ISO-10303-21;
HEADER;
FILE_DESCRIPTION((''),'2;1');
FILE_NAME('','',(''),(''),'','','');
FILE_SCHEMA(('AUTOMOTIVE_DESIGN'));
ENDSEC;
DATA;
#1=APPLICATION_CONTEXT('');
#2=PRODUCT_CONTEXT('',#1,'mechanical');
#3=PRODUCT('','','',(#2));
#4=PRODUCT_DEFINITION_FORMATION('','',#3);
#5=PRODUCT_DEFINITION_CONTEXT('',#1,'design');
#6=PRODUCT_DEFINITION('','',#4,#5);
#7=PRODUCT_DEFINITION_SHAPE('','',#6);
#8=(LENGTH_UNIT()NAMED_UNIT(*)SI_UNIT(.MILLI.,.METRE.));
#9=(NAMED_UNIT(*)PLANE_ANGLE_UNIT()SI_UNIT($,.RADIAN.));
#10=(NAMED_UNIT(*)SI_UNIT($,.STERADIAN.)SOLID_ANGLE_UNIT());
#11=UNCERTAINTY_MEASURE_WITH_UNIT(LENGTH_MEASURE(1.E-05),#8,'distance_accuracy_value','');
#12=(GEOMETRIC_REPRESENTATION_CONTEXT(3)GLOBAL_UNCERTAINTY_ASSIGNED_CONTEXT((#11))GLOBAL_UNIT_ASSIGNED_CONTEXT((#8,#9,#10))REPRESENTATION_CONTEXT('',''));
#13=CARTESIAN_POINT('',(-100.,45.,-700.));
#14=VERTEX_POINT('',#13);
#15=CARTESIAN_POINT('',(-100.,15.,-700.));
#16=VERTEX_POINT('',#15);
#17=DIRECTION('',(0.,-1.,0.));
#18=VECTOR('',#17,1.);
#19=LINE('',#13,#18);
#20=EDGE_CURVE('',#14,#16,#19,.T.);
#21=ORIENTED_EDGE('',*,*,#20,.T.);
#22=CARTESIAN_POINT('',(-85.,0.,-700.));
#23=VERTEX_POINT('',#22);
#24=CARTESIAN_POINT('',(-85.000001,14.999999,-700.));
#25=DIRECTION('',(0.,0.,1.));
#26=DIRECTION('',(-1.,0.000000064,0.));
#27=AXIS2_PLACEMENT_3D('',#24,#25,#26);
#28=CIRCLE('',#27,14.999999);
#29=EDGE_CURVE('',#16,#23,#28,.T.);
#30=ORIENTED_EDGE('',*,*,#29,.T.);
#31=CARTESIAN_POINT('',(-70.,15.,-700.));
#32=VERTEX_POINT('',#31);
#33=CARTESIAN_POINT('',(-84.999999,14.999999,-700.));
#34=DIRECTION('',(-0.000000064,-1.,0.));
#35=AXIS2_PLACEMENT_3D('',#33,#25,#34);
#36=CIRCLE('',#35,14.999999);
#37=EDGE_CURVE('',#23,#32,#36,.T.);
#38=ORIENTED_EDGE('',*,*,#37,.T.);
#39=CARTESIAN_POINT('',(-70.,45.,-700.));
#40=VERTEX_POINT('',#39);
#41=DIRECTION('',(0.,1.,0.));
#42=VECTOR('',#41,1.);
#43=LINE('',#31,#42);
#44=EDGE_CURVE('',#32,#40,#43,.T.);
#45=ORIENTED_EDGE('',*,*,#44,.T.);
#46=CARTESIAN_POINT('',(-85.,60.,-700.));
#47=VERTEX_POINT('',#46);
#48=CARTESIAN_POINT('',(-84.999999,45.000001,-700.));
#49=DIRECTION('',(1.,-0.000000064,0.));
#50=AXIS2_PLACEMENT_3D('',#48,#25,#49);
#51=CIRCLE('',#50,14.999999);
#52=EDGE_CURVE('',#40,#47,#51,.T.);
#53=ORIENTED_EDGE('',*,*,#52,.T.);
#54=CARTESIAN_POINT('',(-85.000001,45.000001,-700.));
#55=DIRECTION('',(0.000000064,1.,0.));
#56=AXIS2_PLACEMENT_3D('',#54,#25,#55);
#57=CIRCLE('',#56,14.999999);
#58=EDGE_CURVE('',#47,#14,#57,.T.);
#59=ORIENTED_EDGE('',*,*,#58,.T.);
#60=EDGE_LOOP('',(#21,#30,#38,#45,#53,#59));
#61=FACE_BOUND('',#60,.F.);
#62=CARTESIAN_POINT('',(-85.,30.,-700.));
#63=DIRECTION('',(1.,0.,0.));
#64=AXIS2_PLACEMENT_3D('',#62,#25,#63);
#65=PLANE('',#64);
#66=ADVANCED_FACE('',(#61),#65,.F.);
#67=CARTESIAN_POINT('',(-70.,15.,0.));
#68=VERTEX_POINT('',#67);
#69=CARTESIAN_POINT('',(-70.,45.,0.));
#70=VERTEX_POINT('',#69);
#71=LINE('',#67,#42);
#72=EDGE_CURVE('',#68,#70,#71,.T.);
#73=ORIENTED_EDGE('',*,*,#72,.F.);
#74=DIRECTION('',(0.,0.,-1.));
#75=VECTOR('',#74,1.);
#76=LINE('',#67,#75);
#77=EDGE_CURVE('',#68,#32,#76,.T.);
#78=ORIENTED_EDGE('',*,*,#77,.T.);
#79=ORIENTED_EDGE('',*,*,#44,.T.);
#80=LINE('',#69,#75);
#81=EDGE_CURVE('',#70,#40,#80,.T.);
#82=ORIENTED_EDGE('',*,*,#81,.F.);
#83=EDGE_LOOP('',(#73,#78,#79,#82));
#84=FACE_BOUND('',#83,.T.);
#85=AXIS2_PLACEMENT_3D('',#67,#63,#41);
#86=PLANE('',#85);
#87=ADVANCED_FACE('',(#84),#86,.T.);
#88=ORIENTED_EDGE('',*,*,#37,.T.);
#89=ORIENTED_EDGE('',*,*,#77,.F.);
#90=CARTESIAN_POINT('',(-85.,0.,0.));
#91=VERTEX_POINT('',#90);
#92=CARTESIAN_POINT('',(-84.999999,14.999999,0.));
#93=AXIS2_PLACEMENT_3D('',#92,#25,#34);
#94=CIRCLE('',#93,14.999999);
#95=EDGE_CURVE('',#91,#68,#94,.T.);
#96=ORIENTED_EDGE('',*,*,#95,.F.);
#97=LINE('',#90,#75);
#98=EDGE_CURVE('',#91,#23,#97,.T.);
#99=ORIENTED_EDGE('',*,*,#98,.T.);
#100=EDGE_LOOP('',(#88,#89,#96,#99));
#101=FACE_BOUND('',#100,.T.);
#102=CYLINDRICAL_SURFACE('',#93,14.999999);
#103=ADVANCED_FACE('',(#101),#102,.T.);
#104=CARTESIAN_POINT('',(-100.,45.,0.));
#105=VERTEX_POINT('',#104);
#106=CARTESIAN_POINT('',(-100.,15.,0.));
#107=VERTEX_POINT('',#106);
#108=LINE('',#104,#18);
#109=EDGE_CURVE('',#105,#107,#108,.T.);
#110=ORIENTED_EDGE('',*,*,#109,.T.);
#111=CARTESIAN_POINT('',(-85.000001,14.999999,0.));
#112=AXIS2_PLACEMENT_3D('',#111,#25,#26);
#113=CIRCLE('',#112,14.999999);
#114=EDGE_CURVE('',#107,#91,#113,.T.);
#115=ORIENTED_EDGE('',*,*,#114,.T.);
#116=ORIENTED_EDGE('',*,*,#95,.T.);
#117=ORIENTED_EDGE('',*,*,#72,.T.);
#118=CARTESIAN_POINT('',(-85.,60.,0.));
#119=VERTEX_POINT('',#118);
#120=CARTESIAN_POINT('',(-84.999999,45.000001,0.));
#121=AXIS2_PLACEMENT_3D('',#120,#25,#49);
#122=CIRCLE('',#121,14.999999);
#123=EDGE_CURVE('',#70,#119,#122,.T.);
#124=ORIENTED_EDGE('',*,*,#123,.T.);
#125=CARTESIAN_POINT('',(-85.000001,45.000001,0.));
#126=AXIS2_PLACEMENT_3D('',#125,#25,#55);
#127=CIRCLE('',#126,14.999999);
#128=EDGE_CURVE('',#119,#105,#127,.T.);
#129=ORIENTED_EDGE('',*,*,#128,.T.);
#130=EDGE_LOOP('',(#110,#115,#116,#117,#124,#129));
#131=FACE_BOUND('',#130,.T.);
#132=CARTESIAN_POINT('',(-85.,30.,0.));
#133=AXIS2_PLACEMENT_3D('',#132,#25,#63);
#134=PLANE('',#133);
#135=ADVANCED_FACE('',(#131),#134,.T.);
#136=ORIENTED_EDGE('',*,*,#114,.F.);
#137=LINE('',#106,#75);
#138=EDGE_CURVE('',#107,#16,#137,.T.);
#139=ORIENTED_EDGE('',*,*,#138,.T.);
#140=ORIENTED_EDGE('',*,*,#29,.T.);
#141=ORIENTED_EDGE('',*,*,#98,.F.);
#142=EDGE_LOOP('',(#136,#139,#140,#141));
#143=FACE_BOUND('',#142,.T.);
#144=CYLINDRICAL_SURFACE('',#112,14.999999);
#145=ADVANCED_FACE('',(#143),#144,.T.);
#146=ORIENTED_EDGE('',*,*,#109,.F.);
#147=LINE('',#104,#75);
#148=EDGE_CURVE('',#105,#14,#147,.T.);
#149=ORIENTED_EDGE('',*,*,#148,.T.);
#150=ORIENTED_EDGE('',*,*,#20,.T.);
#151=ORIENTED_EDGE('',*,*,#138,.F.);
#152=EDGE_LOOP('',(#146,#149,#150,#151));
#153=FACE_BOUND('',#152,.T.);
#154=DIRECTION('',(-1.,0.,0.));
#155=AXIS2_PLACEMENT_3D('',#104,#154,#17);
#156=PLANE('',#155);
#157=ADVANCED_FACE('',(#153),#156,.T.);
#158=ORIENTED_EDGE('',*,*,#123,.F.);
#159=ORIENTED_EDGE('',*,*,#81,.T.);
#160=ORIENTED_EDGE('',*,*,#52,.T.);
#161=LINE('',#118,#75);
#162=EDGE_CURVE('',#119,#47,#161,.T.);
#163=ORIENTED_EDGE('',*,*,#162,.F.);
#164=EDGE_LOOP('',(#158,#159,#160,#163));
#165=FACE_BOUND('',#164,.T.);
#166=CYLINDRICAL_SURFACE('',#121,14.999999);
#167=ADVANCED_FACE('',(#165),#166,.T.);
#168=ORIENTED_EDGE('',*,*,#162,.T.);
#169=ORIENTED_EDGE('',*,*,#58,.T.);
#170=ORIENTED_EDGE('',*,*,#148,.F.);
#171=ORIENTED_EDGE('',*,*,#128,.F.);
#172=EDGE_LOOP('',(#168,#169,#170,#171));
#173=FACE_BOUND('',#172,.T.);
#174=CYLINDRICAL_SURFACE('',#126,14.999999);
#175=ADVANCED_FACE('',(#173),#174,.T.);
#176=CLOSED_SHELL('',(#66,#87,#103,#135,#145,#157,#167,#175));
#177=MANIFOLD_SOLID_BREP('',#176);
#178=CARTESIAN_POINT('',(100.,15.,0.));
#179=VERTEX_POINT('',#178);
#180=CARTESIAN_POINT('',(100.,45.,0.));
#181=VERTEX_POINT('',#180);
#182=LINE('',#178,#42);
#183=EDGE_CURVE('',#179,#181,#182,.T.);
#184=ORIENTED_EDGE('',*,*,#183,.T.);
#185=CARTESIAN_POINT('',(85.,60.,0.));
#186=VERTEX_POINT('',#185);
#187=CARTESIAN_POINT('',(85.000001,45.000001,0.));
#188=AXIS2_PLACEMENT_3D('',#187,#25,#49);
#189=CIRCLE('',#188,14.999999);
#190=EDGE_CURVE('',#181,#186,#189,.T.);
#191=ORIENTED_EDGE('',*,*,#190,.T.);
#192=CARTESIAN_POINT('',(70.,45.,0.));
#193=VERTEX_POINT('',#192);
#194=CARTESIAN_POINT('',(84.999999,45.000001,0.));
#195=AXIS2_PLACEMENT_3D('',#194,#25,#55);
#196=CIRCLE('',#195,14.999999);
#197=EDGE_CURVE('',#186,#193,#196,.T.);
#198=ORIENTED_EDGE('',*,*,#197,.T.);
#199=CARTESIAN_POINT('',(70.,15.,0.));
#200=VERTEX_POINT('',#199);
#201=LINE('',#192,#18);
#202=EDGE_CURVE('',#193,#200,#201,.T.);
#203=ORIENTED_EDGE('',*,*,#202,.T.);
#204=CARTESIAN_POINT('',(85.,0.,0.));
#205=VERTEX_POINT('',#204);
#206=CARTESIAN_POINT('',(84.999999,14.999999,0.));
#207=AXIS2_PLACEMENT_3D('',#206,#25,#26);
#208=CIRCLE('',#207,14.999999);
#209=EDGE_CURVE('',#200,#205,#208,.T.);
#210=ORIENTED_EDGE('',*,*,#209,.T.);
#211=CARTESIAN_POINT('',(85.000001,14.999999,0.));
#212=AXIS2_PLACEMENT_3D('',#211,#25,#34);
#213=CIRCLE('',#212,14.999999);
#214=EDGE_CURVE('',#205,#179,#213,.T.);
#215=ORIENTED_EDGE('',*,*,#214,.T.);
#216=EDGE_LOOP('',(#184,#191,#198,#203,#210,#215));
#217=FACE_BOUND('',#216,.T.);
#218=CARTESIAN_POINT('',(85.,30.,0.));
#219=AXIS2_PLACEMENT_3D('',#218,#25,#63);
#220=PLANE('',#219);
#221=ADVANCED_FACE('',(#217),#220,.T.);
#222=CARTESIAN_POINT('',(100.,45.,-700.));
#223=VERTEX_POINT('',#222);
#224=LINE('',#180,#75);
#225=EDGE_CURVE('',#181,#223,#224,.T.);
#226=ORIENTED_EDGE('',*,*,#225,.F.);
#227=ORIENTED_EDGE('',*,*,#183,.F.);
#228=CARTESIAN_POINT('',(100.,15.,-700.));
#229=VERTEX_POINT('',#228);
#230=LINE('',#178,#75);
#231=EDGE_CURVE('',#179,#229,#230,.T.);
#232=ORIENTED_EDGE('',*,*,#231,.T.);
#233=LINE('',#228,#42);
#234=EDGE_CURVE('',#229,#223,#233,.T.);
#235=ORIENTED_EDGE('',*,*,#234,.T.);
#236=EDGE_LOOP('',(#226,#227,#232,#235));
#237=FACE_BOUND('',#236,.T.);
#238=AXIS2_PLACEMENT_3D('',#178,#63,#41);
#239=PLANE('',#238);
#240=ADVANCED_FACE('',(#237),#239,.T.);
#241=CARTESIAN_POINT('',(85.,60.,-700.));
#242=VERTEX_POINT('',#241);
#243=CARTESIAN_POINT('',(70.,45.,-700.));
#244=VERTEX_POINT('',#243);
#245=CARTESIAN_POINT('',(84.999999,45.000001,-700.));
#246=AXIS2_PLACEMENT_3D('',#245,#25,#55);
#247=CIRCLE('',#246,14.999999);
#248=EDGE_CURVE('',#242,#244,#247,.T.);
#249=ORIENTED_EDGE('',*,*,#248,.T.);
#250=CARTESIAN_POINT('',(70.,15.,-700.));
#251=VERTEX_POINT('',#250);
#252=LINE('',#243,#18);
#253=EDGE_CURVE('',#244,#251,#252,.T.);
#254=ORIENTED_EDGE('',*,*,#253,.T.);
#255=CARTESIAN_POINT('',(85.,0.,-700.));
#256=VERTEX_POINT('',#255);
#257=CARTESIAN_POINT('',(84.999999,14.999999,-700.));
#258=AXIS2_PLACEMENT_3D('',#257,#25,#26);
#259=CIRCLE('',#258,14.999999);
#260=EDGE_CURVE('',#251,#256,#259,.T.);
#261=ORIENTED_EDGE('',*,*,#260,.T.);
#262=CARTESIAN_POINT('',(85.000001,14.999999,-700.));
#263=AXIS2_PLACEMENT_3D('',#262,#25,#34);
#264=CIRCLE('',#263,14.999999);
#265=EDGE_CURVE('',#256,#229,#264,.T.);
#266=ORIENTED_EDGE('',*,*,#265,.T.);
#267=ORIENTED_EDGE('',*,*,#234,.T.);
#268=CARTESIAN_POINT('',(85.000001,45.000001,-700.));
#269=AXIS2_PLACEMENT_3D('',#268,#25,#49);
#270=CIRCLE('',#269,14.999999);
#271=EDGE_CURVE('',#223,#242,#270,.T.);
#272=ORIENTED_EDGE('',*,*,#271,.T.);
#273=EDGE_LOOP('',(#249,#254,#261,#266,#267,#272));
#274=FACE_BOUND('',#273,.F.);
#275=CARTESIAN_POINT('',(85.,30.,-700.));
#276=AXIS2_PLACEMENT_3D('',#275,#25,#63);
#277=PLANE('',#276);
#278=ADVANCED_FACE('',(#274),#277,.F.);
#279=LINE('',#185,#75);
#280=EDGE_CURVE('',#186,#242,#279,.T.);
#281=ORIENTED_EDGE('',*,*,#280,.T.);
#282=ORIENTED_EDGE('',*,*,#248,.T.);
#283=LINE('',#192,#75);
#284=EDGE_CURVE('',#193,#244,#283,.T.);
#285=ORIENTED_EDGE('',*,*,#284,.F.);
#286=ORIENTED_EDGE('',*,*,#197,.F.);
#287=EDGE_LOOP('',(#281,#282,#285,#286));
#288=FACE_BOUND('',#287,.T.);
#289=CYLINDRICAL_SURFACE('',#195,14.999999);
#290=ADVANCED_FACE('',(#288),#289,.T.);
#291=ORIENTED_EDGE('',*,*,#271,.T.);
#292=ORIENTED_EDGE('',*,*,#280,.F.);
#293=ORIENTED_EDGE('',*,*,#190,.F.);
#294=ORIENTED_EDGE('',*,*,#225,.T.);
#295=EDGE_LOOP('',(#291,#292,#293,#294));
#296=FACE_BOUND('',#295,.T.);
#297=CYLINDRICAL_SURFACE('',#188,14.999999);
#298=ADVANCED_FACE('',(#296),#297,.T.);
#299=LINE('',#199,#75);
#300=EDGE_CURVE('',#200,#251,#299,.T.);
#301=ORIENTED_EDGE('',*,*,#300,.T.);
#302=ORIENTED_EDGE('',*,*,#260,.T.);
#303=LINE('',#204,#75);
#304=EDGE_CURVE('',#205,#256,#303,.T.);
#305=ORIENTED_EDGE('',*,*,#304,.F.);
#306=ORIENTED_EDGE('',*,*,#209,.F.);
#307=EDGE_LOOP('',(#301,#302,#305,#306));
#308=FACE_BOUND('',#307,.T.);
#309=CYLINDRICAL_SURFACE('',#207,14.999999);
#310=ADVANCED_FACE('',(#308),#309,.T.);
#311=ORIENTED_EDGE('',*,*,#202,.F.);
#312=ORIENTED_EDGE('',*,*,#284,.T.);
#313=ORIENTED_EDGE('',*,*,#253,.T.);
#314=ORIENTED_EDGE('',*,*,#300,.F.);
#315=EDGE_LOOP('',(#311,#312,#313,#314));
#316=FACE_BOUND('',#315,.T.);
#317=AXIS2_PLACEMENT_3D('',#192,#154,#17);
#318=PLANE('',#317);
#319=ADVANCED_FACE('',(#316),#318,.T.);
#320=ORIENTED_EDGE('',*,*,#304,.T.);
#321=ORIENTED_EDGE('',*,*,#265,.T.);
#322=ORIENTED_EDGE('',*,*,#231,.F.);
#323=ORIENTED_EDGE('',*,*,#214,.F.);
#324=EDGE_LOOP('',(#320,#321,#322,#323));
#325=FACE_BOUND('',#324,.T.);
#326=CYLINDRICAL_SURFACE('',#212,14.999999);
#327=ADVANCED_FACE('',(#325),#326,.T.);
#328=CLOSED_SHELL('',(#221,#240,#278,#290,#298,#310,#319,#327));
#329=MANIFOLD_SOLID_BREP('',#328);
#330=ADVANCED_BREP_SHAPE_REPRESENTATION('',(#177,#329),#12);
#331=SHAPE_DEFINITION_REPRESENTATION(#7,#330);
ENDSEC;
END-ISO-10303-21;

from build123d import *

# Parameters (mm, degrees)
F1_DEPTH = 700


with BuildPart() as f1:
    # F0 (on Top) → F1 (new body)
    with BuildSketch(Plane.XY):
        with BuildLine():
            Line((-100, 45), (-100, 15))
            ThreePointArc((-100, 15), (-95.606602, 4.393398), (-85, 0))
            ThreePointArc((-85, 0), (-74.393398, 4.393398), (-70, 15))
            Line((-70, 15), (-70, 45))
            ThreePointArc((-70, 45), (-74.393398, 55.606602), (-85, 60))
            ThreePointArc((-85, 60), (-95.606602, 55.606602), (-100, 45))
        make_face()
        with BuildLine():
            Line((70, 45), (70, 15))
            ThreePointArc((70, 15), (74.393398, 4.393398), (85, 0))
            ThreePointArc((85, 0), (95.606602, 4.393398), (100, 15))
            Line((100, 15), (100, 45))
            ThreePointArc((100, 45), (95.606602, 55.606602), (85, 60))
            ThreePointArc((85, 60), (74.393398, 55.606602), (70, 45))
        make_face()
    extrude(amount=-F1_DEPTH)


solid = f1.part
